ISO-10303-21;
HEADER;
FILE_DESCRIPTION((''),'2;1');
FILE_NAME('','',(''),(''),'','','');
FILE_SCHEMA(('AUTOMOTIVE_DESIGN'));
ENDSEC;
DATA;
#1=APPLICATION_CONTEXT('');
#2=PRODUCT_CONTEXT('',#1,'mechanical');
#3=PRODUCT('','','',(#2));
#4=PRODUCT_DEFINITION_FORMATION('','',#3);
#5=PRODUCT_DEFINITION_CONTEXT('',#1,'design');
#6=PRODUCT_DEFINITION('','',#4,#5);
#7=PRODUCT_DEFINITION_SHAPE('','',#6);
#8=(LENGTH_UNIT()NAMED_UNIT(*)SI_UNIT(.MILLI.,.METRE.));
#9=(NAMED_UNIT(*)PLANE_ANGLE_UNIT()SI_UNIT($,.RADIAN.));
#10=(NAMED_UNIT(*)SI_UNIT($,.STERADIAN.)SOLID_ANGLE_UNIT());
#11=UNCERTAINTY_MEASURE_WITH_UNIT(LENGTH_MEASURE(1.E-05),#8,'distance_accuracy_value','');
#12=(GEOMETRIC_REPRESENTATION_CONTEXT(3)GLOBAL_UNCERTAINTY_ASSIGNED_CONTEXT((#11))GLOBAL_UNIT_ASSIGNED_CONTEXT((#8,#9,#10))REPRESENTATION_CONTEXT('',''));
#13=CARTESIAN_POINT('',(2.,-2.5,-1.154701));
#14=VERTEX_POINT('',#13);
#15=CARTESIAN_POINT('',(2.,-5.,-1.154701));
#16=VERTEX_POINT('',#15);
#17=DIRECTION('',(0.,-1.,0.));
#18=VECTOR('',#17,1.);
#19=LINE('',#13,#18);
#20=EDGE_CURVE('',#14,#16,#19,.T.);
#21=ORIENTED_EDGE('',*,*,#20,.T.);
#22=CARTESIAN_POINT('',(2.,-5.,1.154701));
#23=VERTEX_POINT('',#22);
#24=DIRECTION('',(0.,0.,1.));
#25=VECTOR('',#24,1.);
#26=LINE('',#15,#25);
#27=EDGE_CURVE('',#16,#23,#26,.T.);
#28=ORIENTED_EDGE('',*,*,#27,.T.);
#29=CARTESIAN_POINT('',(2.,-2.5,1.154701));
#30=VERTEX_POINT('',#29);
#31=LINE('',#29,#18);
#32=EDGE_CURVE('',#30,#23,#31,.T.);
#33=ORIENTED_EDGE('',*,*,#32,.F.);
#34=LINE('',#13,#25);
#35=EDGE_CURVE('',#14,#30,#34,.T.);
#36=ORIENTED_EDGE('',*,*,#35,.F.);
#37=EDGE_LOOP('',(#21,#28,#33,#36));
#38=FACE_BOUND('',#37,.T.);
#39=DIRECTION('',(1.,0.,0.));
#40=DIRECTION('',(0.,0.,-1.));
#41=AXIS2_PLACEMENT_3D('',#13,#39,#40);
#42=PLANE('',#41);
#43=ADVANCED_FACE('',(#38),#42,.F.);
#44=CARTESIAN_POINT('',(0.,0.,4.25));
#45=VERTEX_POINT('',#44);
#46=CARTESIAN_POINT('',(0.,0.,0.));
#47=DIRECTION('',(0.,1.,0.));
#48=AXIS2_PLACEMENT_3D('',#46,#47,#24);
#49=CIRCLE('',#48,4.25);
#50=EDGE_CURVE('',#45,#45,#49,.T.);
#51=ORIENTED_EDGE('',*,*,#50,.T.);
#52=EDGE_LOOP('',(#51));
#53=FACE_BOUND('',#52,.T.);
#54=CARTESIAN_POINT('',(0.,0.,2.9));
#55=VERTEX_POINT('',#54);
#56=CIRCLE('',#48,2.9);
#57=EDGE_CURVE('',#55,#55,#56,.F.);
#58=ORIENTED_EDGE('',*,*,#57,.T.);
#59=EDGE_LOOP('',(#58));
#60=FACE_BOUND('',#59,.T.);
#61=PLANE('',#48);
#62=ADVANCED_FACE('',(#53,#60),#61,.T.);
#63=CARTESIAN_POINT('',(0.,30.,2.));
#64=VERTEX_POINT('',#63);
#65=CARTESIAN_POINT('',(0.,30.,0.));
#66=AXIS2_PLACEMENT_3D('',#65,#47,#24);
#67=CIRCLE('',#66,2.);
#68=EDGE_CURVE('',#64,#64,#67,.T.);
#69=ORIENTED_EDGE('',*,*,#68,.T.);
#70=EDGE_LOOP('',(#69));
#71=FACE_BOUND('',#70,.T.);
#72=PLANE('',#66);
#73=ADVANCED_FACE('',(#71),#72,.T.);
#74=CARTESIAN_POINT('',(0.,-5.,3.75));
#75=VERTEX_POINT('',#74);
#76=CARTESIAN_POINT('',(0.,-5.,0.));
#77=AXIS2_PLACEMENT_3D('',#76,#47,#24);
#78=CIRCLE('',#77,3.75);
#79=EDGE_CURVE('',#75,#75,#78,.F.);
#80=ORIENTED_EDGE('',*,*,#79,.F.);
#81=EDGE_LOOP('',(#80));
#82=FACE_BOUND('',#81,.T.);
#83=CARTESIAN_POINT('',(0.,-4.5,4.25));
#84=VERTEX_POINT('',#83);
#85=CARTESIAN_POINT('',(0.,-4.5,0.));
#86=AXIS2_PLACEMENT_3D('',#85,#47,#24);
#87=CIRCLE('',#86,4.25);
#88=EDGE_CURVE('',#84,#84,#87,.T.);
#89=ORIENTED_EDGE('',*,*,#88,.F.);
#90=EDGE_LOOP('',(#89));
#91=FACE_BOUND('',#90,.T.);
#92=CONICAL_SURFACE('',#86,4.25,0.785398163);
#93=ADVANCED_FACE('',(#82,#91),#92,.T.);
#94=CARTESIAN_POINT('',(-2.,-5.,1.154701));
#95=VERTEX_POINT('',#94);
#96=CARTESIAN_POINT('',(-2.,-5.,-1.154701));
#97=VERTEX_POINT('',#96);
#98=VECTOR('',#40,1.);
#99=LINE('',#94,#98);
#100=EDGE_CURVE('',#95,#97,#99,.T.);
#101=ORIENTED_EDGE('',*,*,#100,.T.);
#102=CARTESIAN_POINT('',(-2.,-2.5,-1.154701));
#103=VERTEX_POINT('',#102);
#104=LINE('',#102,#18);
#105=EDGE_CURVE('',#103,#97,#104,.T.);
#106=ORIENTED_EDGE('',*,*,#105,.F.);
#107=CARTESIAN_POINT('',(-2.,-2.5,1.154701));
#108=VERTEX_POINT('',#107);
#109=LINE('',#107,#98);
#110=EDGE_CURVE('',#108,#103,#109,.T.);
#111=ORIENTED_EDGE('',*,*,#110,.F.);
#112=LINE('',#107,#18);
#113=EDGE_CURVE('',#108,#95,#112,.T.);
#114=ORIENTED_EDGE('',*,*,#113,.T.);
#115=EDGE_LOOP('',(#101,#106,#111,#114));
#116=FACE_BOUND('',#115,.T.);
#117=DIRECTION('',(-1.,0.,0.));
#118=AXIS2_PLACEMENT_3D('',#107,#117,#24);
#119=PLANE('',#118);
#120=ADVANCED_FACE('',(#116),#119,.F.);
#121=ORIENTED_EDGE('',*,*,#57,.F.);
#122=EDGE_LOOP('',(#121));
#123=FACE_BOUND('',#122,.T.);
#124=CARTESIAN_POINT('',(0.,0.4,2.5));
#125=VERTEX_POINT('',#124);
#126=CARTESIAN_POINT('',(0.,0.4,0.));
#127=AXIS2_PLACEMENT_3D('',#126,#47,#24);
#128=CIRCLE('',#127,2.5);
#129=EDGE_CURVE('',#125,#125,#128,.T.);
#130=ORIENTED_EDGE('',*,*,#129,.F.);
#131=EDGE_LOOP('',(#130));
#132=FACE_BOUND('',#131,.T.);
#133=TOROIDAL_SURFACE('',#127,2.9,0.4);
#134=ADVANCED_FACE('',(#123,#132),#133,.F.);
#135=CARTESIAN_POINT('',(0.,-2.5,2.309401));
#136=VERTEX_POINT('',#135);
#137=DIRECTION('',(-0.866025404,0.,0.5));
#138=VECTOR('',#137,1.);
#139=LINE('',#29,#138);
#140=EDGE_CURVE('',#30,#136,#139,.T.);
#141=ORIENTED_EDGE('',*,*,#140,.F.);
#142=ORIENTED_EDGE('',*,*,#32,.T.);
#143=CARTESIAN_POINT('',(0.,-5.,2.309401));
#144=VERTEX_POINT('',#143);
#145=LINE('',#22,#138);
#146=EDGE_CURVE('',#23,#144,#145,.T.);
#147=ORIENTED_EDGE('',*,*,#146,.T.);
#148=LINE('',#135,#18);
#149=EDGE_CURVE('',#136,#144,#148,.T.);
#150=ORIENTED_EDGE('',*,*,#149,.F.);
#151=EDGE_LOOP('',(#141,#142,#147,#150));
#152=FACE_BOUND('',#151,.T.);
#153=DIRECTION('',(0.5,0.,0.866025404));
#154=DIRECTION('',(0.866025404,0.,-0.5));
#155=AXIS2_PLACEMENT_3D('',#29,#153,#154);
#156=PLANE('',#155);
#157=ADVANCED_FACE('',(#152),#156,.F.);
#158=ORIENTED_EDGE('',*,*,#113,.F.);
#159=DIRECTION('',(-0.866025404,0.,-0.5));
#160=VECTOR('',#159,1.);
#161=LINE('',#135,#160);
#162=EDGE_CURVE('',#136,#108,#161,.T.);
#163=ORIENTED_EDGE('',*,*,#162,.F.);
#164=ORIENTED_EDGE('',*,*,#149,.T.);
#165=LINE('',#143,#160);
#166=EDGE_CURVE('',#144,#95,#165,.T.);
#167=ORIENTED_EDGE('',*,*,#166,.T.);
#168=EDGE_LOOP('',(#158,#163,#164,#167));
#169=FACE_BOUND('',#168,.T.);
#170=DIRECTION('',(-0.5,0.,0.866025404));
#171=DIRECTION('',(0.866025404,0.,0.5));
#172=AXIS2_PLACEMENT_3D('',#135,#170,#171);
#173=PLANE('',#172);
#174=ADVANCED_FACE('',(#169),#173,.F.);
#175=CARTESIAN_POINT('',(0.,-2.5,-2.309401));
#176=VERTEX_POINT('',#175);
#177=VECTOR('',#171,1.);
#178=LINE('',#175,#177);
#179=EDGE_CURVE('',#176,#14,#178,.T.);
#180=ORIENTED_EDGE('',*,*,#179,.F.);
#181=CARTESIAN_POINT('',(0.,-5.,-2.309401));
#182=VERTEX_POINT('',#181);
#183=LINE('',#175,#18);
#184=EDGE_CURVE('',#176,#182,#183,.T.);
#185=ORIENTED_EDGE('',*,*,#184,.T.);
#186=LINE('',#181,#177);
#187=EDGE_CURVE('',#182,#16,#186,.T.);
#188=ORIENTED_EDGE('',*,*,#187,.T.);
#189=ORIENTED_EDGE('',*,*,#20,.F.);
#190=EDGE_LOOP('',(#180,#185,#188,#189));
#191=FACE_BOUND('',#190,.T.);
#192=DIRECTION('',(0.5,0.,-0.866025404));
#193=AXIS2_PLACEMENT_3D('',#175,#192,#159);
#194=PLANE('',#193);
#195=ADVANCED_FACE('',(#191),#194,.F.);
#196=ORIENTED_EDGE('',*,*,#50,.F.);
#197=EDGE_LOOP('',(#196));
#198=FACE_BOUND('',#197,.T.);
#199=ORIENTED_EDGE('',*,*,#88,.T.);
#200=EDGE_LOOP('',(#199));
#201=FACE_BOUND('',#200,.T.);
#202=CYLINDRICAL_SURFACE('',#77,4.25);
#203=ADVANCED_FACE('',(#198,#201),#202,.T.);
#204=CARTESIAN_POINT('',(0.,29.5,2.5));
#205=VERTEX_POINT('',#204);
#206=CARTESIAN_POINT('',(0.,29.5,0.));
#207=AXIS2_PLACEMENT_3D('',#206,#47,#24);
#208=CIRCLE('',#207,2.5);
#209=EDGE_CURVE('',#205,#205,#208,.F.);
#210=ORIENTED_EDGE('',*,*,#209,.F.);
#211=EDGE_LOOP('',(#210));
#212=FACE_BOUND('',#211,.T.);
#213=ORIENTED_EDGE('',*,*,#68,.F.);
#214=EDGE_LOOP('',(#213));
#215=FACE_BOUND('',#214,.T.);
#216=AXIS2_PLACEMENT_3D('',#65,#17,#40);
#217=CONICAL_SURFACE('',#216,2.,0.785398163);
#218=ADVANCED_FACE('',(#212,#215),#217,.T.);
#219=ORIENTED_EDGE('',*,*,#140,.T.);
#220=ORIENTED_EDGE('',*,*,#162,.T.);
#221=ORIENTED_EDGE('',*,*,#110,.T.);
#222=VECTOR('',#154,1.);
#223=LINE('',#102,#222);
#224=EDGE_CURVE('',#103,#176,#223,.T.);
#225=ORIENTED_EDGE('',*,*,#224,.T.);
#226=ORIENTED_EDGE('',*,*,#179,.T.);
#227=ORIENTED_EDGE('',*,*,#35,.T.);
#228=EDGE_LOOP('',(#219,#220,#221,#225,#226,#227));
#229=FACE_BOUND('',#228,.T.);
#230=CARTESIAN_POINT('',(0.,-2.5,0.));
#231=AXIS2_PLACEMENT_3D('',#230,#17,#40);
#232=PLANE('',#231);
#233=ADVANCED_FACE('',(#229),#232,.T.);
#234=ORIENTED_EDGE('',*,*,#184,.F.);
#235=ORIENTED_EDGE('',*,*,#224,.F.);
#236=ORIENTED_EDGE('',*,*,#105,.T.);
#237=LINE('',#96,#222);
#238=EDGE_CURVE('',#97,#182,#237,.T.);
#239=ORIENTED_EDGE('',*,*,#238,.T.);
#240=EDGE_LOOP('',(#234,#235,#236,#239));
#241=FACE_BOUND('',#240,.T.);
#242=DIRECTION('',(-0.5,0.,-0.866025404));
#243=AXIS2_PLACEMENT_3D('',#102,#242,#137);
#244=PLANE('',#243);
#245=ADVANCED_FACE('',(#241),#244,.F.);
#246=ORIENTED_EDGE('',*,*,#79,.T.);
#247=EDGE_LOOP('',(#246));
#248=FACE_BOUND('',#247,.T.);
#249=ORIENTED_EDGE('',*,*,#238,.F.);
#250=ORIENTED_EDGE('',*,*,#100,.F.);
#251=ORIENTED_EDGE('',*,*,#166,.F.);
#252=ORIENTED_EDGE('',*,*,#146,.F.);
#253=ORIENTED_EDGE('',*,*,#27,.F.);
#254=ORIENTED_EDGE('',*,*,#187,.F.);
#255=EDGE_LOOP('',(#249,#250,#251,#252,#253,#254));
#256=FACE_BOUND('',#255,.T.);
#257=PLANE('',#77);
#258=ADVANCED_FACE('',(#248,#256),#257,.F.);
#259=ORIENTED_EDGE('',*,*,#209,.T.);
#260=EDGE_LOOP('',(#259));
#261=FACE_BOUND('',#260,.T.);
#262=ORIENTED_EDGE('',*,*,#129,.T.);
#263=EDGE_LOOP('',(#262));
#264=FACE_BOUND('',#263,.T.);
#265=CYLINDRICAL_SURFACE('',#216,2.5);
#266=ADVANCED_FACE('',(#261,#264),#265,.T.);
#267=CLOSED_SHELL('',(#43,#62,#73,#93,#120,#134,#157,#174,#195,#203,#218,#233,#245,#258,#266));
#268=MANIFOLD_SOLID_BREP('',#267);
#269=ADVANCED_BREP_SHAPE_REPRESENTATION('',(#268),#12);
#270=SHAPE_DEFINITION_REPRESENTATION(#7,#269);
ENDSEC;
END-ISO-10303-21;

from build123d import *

# Parameters (mm, degrees)
SKETCH2_R           = 2.5
BOSS_EXTRUDE1_DEPTH = 30
SKETCH3_R           = 4.25
BOSS_EXTRUDE2_DEPTH = 5
FILLET1_R           = 0.4
CHAMFER1_SIZE       = 0.5
CUT_EXTRUDE1_DEPTH  = 2.5


with BuildPart() as part:
    # Sketch2 → Boss-Extrude1 (new body)
    with BuildSketch(Plane(origin=(0, 0, 0), x_dir=(1, 0, 0), z_dir=(0, 1, 0))):
        with Locations(Location((0, 0, 0), (0, 0, 270))):
            Circle(SKETCH2_R)
    extrude(amount=BOSS_EXTRUDE1_DEPTH)

    # Sketch3 → Boss-Extrude2 (add)
    with BuildSketch(Plane(origin=(0, 0, 0), x_dir=(1, 0, 0), z_dir=(0, 1, 0))):
        with Locations(Location((0, 0, 0), (0, 0, 270))):
            Circle(SKETCH3_R)
    extrude(amount=-BOSS_EXTRUDE2_DEPTH)

    # Fillet1
    fillet1_edges = [part.edges().sort_by_distance(p)[0] for p in [
        (0, 0, -2.5),
    ]]
    fillet(fillet1_edges, radius=FILLET1_R)

    # Chamfer1
    chamfer1_edges = [part.edges().sort_by_distance(p)[0] for p in [
        (0, 30, -2.5),
        (0, -5, -4.25),
    ]]
    chamfer(chamfer1_edges, length=CHAMFER1_SIZE)

    # Sketch4 → Cut-Extrude1 (cut)
    with BuildSketch(Plane.XZ.offset(5)):
        Polygon((0, 2.309401077), (-2, 1.154700538), (-2, -1.154700538), (0, -2.309401077), (2, -1.154700538), (2, 1.154700538), align=None)
    extrude(amount=-CUT_EXTRUDE1_DEPTH, mode=Mode.SUBTRACT)


solid = part.part
